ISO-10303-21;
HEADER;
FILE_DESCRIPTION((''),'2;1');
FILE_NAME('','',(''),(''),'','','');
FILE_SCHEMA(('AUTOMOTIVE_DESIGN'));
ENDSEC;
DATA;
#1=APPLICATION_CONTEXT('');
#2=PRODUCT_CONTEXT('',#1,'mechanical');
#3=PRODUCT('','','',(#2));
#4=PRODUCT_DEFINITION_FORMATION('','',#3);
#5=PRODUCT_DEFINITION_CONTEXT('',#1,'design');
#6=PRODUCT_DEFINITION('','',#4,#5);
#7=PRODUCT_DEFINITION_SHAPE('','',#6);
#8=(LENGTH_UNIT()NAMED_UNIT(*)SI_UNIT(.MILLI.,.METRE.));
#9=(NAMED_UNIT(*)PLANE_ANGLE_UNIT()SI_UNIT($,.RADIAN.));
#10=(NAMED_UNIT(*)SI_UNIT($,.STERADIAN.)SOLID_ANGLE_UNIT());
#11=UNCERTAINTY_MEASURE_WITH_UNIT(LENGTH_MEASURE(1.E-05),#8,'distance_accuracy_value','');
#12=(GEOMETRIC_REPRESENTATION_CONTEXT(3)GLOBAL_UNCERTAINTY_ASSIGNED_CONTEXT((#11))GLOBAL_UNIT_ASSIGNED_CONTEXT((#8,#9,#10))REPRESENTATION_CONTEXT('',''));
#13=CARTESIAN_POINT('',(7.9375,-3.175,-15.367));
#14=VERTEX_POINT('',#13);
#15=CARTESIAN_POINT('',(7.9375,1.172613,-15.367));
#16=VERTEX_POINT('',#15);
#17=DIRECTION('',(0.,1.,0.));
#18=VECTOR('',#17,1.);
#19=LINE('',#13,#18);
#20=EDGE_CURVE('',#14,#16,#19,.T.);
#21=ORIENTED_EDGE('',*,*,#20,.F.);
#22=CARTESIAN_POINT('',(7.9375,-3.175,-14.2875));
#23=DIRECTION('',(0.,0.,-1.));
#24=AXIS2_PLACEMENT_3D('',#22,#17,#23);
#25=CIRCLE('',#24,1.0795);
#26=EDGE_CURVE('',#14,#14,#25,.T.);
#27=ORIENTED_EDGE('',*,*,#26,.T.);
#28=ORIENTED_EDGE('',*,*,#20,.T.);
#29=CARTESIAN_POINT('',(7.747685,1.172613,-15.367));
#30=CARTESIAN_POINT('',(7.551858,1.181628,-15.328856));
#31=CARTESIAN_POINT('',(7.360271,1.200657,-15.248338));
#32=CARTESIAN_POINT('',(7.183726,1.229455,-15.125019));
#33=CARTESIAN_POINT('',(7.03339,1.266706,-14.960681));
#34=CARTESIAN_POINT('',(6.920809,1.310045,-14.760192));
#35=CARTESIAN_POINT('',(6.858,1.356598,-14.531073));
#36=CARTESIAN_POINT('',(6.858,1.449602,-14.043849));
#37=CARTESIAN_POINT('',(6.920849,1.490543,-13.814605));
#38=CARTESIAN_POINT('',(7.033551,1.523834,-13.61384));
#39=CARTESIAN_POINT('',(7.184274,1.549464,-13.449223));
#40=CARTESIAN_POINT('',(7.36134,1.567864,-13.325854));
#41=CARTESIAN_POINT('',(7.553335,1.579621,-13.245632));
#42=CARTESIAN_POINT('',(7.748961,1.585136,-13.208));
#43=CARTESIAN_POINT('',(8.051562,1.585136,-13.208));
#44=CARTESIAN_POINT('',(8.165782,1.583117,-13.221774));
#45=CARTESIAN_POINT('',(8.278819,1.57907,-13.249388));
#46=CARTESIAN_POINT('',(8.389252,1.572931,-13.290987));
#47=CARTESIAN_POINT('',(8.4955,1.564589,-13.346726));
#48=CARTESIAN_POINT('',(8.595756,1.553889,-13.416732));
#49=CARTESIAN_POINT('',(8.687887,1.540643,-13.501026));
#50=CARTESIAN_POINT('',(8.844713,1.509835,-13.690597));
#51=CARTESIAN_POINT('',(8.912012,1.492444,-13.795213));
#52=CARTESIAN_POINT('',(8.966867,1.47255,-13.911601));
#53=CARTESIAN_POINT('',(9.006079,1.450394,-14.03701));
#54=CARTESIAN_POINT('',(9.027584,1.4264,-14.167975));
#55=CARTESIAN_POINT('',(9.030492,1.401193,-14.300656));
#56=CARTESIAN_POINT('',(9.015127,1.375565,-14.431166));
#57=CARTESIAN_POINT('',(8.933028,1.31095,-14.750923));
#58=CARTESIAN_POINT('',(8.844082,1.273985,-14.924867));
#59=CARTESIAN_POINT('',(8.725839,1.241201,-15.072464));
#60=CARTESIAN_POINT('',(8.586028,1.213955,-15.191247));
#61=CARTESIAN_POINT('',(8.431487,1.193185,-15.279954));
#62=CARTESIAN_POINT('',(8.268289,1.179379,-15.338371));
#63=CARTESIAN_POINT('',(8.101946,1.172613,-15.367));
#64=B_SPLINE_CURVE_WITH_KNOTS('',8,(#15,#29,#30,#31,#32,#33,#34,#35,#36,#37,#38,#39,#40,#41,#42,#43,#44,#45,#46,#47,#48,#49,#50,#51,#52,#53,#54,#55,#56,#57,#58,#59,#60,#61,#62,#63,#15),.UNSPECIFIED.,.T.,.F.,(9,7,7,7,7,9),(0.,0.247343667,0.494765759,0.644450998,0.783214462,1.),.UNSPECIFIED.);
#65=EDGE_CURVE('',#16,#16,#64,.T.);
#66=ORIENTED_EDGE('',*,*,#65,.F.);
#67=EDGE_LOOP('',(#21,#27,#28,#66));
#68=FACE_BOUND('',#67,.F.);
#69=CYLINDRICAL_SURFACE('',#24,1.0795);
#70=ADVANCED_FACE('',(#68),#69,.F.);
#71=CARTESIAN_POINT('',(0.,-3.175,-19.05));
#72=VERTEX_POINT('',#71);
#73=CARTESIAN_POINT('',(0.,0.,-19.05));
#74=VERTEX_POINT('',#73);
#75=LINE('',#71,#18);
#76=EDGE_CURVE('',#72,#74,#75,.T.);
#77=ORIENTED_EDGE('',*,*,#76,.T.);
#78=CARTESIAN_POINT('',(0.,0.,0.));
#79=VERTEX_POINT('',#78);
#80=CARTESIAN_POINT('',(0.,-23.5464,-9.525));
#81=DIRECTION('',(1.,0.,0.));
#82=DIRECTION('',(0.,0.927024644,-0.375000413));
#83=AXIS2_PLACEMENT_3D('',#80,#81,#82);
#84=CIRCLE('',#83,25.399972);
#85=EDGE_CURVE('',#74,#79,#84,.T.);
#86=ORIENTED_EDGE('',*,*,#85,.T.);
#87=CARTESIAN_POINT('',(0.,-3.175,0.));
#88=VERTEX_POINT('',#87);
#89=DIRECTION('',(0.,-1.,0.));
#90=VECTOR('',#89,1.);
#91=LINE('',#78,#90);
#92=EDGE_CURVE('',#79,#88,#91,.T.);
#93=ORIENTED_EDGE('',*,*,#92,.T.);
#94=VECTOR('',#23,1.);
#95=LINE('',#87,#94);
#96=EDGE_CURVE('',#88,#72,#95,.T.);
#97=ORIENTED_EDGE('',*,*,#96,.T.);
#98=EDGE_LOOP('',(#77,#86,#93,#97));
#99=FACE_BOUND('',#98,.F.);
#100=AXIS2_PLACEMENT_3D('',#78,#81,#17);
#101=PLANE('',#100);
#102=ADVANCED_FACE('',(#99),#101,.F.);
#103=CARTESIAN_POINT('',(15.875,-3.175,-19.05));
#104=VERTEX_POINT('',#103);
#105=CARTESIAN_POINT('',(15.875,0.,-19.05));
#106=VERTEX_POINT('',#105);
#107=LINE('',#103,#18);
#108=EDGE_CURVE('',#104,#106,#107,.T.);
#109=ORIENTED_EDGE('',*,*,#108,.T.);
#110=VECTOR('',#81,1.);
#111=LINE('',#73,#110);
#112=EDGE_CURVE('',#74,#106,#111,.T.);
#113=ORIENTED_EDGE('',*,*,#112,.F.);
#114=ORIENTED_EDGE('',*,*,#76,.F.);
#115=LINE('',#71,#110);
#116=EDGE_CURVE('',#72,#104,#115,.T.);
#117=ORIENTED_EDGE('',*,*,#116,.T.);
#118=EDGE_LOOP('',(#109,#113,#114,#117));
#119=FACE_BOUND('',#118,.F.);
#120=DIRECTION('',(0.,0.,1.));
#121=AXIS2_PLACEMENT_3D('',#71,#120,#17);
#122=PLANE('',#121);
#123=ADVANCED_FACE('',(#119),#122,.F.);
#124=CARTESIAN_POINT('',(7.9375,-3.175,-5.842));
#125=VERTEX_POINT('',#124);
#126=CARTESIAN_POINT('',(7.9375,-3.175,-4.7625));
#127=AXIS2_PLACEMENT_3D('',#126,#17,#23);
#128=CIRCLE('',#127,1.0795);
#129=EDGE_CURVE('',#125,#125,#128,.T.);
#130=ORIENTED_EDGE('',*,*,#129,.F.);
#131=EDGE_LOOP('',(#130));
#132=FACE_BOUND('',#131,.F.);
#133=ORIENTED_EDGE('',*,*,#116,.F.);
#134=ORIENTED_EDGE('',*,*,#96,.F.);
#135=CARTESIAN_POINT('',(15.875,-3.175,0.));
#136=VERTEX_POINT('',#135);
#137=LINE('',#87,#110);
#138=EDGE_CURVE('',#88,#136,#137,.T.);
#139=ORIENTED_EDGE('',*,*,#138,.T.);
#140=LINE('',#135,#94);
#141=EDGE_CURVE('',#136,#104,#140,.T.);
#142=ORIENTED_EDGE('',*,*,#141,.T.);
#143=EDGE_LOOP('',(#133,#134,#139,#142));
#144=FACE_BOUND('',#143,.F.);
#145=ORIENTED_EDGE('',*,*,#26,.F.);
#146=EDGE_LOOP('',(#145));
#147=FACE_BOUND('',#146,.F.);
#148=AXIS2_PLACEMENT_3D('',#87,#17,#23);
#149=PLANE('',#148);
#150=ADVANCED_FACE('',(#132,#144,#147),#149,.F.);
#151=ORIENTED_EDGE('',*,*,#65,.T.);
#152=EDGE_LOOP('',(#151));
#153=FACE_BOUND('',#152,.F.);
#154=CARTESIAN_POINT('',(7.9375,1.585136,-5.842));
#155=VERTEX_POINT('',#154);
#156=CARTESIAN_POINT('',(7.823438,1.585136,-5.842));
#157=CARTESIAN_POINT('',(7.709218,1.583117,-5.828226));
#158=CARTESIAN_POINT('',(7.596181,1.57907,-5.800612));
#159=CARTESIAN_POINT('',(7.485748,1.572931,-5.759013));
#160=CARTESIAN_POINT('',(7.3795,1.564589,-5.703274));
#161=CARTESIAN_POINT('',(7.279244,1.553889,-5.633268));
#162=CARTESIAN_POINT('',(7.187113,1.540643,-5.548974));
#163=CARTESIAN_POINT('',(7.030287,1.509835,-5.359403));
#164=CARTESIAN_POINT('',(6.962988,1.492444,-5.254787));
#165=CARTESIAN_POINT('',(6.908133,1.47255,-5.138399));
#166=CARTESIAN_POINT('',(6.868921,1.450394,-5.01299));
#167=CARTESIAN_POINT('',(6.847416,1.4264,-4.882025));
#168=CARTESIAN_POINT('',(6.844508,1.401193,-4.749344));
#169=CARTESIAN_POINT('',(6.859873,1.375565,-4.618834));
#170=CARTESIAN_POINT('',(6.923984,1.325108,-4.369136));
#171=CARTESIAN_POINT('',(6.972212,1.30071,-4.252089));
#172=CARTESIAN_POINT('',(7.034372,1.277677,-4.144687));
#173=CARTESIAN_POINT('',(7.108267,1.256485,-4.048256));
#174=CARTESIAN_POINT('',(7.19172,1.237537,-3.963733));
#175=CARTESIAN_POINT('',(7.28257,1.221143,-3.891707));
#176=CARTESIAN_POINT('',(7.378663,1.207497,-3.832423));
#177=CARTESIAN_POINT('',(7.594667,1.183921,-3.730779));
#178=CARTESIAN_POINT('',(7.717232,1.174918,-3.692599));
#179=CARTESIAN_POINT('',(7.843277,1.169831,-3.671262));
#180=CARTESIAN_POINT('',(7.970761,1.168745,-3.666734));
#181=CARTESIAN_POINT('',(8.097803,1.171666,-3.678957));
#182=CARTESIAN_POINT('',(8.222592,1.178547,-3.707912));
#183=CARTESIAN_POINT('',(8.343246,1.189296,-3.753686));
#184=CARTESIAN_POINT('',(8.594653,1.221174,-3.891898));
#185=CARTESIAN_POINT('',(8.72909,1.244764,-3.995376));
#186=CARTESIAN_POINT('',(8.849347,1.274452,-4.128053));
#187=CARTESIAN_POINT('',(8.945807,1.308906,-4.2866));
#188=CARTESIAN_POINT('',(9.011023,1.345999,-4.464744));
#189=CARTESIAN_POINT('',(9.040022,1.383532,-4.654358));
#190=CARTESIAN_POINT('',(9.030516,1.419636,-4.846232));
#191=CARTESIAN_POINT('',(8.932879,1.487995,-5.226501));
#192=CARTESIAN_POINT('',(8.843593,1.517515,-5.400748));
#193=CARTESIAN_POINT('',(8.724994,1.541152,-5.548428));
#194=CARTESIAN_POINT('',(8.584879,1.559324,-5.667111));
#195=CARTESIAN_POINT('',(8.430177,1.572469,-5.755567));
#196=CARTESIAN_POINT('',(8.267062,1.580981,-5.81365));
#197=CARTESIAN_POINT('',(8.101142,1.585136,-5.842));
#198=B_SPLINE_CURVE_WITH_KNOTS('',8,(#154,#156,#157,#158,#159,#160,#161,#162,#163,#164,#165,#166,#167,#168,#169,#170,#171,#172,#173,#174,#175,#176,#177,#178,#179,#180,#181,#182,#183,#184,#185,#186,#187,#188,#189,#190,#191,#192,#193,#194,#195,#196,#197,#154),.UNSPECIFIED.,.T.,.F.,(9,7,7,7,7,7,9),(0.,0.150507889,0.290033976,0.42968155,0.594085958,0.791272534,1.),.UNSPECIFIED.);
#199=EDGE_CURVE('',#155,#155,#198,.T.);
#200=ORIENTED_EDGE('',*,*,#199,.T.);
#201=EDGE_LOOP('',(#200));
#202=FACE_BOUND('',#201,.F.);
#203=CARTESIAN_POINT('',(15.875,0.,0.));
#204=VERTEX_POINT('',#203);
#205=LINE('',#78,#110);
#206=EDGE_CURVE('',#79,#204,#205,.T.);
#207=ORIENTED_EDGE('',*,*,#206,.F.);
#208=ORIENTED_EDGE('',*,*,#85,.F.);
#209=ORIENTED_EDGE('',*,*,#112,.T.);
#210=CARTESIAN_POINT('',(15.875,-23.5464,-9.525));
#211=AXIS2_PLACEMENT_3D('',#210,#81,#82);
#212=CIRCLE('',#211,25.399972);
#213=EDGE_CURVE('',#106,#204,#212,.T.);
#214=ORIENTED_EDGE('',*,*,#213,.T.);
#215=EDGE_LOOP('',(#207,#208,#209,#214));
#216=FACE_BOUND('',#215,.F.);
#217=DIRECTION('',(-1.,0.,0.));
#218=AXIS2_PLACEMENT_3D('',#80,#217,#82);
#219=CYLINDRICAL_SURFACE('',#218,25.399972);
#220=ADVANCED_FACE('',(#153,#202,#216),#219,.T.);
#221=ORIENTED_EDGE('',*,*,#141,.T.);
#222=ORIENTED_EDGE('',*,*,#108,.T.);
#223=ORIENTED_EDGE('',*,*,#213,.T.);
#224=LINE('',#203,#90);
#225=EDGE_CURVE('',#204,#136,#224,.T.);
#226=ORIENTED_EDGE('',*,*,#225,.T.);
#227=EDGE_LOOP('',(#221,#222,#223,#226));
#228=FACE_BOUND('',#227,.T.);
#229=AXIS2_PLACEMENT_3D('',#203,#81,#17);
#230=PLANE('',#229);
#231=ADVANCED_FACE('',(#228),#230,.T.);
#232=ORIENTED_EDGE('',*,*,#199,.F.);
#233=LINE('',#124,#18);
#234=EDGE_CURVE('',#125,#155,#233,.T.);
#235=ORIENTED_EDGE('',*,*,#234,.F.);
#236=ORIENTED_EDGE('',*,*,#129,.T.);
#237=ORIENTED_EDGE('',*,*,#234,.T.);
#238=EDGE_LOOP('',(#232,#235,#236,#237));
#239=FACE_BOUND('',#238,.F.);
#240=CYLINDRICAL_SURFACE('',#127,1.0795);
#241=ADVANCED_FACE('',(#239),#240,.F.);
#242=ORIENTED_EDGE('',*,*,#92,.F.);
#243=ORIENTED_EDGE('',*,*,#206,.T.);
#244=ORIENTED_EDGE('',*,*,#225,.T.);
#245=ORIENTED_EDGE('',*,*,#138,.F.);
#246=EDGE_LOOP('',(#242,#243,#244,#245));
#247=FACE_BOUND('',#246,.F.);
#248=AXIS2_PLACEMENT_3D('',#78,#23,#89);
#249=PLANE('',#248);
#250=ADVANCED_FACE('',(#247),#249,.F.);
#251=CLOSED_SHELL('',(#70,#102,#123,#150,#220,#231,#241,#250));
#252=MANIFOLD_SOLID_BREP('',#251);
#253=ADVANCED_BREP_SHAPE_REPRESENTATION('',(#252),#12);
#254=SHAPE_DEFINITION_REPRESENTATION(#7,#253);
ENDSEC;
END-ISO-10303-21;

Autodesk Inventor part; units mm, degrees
ref_plane "YZ Plane" through (0, 0, 0) normal (1, 0, 0) x (0, 1, 0)
ref_plane "XZ Plane" through (0, 0, 0) normal (0, 1, 0) x (-1, 0, 0)
ref_plane "XY Plane" through (0, 0, 0) normal (0, 0, 1) x (1, 0, 0)
sketch "Sketch1" plane through (0, 0, 0) normal (1, 0, 0) x (0, 1, 0)
  line L0 (0, 0) -> (-3.175, 0)
  line L1 (-3.175, 0) -> (-3.175, -19.05)
  line L2 (-3.175, -19.05) -> (0, -19.05)
  arc A0 (0, -19.05) -> (0, 0) centre (-23.5464, -9.525) ccw
  dimension "d4" = 3.175
  dimension "d6" = 25.4
  dimension "d7" = 19.05
  dimension "d23" = 3.175
extrude "Extrusion1" add sketch "Sketch1" along normal blind 15.875
sketch "Sketch2" plane through (0, -3.175, -19.05) normal (0, -1, 0) x (1, 0, 0)
  line L0 (0, 19.05) -> (0, 0) projected
  line L1 (0, 0) -> (15.875, 0) projected
  line L2 (15.875, 19.05) -> (15.875, 0) projected
  line L3 (0, 19.05) -> (15.875, 19.05) projected
  point P0 (7.9375, 14.2875)
  point P1 (7.9375, 4.7625)
  dimension "d10" = 15.875
  dimension "d11" = 7.9375
  dimension "d12" = 7.9375
  dimension "d13" = 9.525
  dimension "d14" = 19.05
  dimension "d15" = 4.7625
hole "Hole1" at (7.9375, -3.175, -4.7625) at (7.9375, -3.175, -14.2875) direction (0, 1, 0) diameter 2.159 depth 6.35 tip angle 118
equation "\"d23\" = d4"
equation "\"d11\" = 0.5 * d10"
equation "\"d12\" = d11"
equation "\"d15\" = -0.5 * d13 + 0.5 * d14"
properties part number "TensionerPusher3"
